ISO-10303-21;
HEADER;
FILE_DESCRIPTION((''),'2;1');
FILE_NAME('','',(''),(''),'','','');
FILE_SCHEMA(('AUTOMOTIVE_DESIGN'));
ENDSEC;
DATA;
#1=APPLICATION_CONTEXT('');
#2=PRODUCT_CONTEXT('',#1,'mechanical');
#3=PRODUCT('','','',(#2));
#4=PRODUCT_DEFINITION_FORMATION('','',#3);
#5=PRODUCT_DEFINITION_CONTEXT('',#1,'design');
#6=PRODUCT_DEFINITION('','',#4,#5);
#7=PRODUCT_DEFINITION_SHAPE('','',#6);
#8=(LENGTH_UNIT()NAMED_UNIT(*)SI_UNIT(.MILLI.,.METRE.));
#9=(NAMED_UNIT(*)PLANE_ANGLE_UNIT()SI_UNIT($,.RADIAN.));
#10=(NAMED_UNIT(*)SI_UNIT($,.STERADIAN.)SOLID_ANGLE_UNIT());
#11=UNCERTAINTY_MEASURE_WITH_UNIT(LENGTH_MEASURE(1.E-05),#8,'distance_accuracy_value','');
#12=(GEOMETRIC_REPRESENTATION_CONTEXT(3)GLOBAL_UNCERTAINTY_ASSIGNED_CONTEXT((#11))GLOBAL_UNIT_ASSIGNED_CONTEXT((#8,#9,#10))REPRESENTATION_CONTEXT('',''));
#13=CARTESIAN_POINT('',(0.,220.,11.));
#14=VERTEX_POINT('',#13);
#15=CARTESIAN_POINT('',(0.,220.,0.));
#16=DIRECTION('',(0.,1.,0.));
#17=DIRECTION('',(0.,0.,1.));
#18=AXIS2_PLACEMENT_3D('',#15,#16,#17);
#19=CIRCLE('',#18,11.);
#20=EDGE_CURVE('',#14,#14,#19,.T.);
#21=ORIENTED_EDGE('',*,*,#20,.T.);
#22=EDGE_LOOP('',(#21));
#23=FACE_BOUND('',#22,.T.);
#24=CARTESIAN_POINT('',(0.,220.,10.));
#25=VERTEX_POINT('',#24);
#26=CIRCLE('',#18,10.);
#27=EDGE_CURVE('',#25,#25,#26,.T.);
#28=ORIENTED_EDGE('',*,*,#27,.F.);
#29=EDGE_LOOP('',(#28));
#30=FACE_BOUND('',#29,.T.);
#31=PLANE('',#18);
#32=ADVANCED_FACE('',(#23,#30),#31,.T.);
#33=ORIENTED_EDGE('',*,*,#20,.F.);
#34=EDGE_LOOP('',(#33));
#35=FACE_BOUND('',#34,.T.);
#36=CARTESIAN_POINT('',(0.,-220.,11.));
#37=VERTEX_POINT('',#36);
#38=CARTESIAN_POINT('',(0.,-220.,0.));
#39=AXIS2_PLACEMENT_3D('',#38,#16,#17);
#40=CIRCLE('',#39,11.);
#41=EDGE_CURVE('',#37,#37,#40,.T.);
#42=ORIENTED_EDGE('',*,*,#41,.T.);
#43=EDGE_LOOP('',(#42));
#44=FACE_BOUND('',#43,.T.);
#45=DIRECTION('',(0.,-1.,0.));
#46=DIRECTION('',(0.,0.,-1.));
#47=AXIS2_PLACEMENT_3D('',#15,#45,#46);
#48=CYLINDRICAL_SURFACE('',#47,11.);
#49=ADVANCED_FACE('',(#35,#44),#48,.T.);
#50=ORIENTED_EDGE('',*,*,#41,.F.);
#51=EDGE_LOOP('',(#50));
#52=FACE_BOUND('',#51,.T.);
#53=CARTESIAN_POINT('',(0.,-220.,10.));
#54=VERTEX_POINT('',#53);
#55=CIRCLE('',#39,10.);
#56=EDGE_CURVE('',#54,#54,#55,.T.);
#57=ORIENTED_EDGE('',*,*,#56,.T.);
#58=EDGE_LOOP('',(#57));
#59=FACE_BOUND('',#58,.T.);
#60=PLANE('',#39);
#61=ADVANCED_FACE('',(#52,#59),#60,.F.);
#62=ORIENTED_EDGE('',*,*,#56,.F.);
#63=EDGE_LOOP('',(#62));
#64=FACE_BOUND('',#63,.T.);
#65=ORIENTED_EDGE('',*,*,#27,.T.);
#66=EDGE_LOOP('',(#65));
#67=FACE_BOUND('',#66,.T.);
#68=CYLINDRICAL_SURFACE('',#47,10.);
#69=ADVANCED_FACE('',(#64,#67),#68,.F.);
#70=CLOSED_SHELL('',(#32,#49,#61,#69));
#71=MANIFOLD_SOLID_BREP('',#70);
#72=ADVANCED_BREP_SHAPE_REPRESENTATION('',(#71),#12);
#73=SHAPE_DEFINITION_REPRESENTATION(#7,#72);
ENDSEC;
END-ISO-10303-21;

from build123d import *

# Parameters (mm, degrees)
SKETCH1_R      = 11
SKETCH1_R_2    = 10
EXTRUDE1_DEPTH = 220


with BuildPart() as part:
    # Sketch1 → Extrude1 (new body, symmetric)
    with BuildSketch(Plane(origin=(0, 0, 0), x_dir=(1, 0, 0), z_dir=(0, 1, 0))):
        Circle(SKETCH1_R)
        Circle(SKETCH1_R_2, mode=Mode.SUBTRACT)
    extrude(amount=EXTRUDE1_DEPTH, both=True)


solid = part.part
